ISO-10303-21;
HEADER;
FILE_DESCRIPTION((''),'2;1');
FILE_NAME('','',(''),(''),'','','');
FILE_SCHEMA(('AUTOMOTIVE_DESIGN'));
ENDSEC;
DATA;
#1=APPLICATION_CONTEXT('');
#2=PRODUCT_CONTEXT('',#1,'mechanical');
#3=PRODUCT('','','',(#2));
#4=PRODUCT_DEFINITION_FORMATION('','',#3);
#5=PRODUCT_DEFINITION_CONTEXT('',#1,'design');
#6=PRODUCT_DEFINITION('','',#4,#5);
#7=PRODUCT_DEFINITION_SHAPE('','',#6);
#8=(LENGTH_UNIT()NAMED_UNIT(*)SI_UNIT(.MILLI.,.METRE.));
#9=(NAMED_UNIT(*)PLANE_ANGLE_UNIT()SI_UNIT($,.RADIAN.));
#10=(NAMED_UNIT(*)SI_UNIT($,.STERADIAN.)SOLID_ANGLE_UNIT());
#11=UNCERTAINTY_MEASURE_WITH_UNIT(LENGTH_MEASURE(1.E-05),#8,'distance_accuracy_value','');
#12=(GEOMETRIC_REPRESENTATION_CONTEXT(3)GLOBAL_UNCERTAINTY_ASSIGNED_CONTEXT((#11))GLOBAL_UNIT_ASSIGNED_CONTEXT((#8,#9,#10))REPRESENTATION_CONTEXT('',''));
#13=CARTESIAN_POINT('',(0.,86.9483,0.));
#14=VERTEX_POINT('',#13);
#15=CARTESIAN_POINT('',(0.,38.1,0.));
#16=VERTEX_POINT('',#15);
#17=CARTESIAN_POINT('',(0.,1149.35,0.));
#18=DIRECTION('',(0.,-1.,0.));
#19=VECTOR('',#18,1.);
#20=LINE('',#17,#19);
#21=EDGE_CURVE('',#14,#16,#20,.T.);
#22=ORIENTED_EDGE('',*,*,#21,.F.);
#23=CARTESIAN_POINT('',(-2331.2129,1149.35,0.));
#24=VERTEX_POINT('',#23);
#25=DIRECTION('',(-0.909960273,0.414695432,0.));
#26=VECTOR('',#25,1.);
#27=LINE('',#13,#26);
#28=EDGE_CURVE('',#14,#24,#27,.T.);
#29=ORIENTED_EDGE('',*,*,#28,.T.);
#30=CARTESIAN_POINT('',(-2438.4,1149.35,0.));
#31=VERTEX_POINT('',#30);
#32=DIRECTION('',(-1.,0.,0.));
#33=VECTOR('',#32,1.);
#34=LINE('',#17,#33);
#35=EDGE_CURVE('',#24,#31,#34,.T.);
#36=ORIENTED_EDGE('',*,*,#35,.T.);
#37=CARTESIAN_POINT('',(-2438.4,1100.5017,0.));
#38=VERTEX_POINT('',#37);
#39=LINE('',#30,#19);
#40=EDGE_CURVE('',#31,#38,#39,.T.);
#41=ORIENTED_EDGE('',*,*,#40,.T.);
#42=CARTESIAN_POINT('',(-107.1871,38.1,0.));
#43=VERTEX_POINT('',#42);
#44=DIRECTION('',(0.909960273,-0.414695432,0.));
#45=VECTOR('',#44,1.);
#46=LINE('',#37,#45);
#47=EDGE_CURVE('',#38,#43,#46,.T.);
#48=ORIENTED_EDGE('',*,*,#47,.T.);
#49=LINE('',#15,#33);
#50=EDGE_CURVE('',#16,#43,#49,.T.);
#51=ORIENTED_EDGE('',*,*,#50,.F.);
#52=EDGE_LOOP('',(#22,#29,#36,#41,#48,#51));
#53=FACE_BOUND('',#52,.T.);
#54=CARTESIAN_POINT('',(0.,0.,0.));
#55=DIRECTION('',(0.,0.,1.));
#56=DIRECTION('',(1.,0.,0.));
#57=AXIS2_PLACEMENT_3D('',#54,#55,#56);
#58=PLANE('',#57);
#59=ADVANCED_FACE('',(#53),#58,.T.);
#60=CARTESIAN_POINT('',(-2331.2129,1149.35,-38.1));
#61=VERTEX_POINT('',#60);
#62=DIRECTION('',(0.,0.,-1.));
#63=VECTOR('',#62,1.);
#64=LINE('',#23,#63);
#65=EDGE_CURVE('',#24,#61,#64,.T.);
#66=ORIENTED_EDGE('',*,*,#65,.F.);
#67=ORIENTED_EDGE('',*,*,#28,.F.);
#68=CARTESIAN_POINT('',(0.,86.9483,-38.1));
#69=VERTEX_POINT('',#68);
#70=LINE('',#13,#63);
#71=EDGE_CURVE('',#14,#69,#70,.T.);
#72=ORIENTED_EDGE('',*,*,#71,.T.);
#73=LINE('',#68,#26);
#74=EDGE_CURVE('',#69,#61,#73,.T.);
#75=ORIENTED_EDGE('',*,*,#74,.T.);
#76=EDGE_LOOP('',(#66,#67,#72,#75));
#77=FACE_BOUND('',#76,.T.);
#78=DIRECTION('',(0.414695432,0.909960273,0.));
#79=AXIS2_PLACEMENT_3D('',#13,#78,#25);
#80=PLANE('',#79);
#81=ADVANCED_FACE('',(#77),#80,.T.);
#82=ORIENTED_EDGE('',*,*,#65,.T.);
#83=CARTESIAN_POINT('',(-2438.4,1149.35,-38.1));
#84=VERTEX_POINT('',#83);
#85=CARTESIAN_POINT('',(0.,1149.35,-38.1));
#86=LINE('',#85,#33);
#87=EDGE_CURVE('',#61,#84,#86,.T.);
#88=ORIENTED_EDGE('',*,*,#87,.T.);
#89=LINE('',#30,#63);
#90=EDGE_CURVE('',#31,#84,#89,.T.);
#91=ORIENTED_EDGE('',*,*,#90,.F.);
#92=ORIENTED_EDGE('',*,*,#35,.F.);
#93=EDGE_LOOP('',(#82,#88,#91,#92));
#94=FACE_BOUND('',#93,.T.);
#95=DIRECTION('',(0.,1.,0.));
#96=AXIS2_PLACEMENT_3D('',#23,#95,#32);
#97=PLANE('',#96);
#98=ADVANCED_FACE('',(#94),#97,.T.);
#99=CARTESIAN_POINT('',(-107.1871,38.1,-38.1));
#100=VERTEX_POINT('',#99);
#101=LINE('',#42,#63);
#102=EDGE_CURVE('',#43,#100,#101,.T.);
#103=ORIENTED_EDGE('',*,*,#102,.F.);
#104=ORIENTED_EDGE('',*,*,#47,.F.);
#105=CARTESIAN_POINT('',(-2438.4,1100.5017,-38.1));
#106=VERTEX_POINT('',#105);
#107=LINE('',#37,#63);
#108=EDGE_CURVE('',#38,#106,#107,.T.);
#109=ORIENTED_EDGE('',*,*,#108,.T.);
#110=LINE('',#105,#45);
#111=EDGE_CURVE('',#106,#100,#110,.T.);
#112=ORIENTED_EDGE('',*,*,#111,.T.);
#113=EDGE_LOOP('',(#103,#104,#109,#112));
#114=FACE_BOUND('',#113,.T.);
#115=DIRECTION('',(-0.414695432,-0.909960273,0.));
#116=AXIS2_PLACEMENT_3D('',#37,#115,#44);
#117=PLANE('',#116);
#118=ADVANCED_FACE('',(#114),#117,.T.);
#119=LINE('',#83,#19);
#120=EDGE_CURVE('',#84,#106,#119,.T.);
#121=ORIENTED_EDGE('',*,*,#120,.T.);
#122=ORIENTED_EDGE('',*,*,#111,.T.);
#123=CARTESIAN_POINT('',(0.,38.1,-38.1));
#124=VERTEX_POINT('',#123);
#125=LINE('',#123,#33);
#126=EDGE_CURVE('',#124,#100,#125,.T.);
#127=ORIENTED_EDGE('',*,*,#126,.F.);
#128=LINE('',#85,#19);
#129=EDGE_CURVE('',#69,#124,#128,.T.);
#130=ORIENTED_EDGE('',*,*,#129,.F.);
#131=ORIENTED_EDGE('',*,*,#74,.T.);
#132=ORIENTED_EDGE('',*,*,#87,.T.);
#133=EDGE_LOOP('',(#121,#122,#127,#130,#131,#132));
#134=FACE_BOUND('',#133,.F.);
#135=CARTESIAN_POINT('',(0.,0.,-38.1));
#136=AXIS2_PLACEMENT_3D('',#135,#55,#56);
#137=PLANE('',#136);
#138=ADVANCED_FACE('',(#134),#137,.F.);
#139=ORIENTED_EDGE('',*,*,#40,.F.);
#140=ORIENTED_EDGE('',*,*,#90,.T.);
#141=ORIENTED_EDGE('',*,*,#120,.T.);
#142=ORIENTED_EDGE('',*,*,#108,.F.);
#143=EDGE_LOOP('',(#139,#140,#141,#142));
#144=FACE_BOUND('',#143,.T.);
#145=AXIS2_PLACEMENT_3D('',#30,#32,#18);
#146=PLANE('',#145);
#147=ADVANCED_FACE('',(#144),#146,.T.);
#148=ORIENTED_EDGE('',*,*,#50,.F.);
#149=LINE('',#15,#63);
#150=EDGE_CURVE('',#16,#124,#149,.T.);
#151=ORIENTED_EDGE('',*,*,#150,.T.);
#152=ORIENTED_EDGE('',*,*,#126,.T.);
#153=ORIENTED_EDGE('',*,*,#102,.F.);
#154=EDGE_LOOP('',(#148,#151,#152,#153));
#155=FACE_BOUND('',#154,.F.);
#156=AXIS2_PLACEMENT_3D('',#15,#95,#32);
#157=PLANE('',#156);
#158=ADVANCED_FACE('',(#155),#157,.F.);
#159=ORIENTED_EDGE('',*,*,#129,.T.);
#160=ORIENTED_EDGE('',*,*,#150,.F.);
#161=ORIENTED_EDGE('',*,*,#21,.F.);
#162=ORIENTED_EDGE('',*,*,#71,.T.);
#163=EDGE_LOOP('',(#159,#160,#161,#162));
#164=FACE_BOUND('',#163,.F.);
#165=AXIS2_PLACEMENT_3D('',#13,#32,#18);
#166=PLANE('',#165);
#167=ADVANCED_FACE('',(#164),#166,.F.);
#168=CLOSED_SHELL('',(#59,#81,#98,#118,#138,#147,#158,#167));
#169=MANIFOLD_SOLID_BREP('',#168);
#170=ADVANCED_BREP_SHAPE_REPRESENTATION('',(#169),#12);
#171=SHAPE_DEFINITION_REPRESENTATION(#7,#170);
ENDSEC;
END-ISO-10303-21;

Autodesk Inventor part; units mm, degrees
ref_plane "YZ Plane" through (0, 0, 0) normal (1, 0, 0) x (0, 1, 0)
ref_plane "XZ Plane" through (0, 0, 0) normal (0, 1, 0) x (-1, 0, 0)
ref_plane "XY Plane" through (0, 0, 0) normal (0, 0, 1) x (1, 0, 0)
sketch "Sketch1" plane through (0, 0, 0) normal (0, 0, 1) x (1, 0, 0)
  line L0 (0, 38.1) -> (-2438.4, 38.1) projected
  line L1 (0, 1149.35) -> (0, -1111.25) projected
  line L2 (0, 0) -> (-2438.4, 0) projected
  line L3 (-2438.4, 1149.35) -> (-2438.4, -1111.25) projected
  line L4 (0, 1149.35) -> (-2438.4, 1149.35) projected
  line L5 (0, 86.9483) -> (-2331.2129, 1149.35)
  line L6 (-2438.4, 1100.5017) -> (-107.1871, 38.1)
  line L7 (-2331.2129, 1149.35) -> (-2438.4, 1149.35)
  line L8 (-2438.4, 1100.5017) -> (-2438.4, 1149.35)
  line L9 (0, 86.9483) -> (0, 38.1)
  line L10 (-107.1871, 38.1) -> (0, 38.1)
extrude "Extrusion1" add sketch "Sketch1" against normal blind 38.1 contours L0 L6 L3 L4 L5 L1
properties part number "S_2x4x105.499"
